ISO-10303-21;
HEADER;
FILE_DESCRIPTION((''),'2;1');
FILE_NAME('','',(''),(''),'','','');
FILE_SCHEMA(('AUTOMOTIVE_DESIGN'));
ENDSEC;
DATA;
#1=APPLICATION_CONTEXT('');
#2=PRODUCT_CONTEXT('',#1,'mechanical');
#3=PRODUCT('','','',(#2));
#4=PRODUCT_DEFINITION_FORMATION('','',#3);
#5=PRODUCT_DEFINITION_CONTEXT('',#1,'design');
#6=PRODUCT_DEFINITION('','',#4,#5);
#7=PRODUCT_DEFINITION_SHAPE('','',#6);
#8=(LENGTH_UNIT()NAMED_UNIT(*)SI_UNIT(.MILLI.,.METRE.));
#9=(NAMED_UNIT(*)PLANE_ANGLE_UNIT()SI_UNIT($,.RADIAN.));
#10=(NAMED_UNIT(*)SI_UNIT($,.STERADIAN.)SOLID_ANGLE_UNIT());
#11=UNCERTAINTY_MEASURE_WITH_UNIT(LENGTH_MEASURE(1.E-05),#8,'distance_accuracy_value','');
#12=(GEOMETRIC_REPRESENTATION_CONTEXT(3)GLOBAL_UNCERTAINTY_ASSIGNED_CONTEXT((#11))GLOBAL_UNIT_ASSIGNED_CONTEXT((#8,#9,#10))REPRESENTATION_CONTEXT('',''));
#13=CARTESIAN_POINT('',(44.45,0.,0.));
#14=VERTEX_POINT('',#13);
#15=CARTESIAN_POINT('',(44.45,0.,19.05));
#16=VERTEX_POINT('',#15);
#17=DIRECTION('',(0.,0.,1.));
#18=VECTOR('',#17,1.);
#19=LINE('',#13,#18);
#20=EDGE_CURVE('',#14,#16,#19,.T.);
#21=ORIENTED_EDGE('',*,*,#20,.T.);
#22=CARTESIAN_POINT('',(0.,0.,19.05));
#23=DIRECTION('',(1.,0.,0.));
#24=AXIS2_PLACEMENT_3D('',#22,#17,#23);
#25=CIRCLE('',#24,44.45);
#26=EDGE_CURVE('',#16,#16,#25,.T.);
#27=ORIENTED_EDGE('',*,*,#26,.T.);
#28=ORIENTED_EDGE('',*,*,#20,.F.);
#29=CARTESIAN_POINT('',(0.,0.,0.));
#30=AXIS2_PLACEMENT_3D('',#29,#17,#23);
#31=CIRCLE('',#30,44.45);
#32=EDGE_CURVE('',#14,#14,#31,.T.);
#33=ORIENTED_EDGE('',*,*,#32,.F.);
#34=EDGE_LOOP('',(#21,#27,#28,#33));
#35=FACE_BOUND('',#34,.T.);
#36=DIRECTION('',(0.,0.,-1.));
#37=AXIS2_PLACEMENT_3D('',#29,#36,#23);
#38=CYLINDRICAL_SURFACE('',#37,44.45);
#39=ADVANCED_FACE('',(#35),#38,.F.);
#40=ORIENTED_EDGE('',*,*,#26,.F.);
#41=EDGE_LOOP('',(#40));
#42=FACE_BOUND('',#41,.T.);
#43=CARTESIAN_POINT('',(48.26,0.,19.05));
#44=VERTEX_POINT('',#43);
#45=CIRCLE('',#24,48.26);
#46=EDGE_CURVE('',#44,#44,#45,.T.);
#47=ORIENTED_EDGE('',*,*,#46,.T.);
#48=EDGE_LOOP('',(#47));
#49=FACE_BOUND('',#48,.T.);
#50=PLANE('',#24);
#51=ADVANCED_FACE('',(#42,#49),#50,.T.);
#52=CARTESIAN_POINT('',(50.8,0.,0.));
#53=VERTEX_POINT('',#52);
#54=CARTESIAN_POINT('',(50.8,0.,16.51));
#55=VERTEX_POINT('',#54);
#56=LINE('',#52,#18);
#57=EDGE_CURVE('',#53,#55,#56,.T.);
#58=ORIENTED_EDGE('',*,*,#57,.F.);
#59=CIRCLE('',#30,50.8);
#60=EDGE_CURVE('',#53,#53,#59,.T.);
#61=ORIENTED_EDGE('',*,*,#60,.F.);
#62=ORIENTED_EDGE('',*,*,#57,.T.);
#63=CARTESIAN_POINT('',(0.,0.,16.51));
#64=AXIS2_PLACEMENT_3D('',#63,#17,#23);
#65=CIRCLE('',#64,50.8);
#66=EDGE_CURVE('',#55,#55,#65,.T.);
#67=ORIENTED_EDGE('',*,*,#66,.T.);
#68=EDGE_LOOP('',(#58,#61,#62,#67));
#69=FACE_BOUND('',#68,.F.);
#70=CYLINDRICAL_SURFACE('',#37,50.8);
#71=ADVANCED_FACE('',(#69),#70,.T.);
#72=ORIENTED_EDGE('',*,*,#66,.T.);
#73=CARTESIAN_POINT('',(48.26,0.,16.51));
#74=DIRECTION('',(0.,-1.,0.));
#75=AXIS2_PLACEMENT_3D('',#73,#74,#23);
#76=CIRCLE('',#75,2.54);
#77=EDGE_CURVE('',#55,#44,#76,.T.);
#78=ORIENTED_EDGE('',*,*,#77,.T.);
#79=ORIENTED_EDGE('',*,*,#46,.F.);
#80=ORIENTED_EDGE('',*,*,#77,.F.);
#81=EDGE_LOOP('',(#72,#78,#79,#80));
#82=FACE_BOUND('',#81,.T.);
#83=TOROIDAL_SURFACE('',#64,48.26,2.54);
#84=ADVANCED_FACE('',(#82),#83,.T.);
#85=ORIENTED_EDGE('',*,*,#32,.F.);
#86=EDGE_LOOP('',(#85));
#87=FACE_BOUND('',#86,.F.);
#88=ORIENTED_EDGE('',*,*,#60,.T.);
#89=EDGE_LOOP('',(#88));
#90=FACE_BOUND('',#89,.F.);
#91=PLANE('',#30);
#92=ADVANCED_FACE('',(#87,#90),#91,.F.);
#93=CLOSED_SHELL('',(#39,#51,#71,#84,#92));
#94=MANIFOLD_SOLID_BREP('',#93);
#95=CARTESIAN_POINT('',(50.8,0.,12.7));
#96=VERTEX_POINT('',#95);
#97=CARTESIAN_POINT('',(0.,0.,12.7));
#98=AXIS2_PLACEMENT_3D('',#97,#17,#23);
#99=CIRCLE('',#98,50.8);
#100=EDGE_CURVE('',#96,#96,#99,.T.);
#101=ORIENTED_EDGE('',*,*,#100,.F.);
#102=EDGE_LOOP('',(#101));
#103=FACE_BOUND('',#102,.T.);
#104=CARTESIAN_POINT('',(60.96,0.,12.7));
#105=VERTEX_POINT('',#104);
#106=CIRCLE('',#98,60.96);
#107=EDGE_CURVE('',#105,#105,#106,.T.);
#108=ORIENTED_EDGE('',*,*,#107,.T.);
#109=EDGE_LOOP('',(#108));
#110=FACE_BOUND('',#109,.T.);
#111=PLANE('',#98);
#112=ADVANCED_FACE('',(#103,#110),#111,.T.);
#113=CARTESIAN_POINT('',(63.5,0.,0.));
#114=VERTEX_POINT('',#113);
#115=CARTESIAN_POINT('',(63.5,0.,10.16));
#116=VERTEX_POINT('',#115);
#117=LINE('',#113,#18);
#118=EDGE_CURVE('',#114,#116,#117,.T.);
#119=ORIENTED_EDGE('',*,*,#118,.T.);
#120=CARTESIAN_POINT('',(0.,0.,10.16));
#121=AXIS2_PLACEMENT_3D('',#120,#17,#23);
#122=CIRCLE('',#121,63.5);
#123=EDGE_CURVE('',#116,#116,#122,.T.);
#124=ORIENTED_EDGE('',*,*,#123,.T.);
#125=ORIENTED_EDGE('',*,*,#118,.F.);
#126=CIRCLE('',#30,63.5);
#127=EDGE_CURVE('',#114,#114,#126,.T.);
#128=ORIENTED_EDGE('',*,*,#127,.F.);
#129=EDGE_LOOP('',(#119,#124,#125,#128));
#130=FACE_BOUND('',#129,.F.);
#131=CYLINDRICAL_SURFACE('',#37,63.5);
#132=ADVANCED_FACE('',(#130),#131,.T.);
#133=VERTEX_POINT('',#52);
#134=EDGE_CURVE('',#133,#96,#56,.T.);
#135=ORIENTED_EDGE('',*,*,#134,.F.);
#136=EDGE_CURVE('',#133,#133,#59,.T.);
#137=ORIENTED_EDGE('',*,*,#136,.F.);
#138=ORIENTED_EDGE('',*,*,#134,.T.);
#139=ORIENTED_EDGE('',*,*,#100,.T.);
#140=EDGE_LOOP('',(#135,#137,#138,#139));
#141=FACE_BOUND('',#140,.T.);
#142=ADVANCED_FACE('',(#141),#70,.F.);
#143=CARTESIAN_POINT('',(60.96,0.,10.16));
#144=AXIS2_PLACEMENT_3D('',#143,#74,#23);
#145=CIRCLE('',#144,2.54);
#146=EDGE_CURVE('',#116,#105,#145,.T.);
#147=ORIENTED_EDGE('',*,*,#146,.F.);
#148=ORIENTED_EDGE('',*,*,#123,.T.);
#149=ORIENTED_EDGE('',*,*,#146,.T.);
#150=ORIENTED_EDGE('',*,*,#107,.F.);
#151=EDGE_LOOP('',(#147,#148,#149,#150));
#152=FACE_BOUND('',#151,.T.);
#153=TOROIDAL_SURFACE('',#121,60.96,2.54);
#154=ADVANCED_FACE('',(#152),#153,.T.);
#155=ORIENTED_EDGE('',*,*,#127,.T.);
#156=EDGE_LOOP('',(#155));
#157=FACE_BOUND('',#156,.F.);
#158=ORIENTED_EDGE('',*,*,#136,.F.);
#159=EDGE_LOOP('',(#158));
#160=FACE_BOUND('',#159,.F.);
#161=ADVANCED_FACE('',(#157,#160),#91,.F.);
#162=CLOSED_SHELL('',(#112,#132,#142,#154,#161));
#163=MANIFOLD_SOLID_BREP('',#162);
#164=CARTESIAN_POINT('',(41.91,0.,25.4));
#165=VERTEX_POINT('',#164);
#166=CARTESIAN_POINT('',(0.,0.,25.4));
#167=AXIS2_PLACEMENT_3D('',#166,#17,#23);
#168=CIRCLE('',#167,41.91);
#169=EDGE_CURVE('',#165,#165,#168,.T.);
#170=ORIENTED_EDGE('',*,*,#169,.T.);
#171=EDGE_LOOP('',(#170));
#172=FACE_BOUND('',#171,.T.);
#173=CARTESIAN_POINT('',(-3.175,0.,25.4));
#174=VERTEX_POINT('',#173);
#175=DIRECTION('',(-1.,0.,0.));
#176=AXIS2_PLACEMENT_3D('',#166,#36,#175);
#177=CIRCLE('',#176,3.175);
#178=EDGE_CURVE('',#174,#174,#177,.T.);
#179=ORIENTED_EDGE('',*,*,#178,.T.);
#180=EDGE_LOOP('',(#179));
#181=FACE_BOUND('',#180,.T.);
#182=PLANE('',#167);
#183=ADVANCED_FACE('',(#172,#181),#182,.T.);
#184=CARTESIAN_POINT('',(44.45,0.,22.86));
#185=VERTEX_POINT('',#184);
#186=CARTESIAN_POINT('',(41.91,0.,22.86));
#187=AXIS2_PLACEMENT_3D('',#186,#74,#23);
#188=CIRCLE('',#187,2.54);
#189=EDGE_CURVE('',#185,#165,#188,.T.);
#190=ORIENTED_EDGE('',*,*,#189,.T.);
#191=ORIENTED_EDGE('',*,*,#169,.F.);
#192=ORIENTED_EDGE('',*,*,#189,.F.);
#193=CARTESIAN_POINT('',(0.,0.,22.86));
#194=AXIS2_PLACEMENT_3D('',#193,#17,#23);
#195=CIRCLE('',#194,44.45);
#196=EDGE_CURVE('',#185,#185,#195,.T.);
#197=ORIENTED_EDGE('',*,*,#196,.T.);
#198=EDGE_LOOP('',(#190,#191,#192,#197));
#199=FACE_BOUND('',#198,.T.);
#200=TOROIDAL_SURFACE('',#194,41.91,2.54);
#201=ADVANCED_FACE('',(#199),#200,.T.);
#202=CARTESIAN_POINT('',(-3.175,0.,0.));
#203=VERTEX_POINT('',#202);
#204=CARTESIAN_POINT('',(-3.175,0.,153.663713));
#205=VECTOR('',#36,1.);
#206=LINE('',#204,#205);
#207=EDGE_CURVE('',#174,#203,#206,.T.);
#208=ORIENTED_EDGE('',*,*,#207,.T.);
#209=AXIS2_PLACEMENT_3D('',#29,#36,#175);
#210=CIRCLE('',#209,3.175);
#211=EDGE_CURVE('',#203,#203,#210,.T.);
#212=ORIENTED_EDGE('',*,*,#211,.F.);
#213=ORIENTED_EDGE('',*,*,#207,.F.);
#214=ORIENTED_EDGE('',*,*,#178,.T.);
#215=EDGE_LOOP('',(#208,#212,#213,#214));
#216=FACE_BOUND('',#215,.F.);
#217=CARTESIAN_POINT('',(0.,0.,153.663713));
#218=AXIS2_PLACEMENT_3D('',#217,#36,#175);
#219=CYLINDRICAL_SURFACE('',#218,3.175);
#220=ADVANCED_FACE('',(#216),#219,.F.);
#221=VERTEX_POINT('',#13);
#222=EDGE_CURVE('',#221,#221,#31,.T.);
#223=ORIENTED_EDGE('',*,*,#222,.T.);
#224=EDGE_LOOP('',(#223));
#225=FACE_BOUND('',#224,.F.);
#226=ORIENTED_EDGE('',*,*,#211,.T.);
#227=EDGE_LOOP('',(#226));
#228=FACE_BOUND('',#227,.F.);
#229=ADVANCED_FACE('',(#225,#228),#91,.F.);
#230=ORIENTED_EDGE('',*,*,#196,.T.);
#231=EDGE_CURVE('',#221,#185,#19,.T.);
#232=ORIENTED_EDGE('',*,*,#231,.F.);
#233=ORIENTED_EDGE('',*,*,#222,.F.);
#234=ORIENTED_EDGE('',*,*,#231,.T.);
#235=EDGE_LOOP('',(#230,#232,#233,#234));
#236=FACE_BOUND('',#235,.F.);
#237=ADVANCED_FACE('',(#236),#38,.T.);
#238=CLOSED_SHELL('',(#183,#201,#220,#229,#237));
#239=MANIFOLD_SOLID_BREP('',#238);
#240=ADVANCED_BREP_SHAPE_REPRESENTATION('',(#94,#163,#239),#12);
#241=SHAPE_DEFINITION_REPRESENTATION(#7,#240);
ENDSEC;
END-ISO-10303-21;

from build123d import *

# Parameters (mm, degrees)
F0_R     = 44.45
F1_DEPTH = 25.4
F0_R_2   = 63.5
F0_R_3   = 50.8
F2_DEPTH = 12.7
F3_DEPTH = 19.05
F5_D     = 6.35
F6_R     = 2.54
F6_2_R   = 2.54
F6_3_R   = 2.54


with BuildPart() as f1:
    # F0 (on Top) → F1 (new body)
    with BuildSketch(Plane.XY):
        Circle(F0_R)
    extrude(amount=F1_DEPTH)

    # F5 (through all)
    with Locations(Plane.XY.offset(25.4)):
        with Locations((0, 0)):
            Hole(F5_D / 2)

    # F6
    f6_edges = [f1.edges().sort_by_distance(p)[0] for p in [
        (-44.45, 0, 25.4),
    ]]
    fillet(f6_edges, radius=F6_R)


with BuildPart() as f2:
    # F0 (on Top) → F2 (new body)
    with BuildSketch(Plane.XY):
        Circle(F0_R_2)
        Circle(F0_R_3, mode=Mode.SUBTRACT)
    extrude(amount=F2_DEPTH)

    # F6#3
    f6_3_edges = [f2.edges().sort_by_distance(p)[0] for p in [
        (-63.5, 0, 12.7),
    ]]
    fillet(f6_3_edges, radius=F6_3_R)


with BuildPart() as f3:
    # F0 (on Top) → F3 (new body)
    with BuildSketch(Plane.XY):
        Circle(F0_R_3)
        Circle(F0_R, mode=Mode.SUBTRACT)
    extrude(amount=F3_DEPTH)

    # F6#2
    f6_2_edges = [f3.edges().sort_by_distance(p)[0] for p in [
        (-50.8, 0, 19.05),
    ]]
    fillet(f6_2_edges, radius=F6_2_R)


solid = Compound([f1.part, f2.part, f3.part])
